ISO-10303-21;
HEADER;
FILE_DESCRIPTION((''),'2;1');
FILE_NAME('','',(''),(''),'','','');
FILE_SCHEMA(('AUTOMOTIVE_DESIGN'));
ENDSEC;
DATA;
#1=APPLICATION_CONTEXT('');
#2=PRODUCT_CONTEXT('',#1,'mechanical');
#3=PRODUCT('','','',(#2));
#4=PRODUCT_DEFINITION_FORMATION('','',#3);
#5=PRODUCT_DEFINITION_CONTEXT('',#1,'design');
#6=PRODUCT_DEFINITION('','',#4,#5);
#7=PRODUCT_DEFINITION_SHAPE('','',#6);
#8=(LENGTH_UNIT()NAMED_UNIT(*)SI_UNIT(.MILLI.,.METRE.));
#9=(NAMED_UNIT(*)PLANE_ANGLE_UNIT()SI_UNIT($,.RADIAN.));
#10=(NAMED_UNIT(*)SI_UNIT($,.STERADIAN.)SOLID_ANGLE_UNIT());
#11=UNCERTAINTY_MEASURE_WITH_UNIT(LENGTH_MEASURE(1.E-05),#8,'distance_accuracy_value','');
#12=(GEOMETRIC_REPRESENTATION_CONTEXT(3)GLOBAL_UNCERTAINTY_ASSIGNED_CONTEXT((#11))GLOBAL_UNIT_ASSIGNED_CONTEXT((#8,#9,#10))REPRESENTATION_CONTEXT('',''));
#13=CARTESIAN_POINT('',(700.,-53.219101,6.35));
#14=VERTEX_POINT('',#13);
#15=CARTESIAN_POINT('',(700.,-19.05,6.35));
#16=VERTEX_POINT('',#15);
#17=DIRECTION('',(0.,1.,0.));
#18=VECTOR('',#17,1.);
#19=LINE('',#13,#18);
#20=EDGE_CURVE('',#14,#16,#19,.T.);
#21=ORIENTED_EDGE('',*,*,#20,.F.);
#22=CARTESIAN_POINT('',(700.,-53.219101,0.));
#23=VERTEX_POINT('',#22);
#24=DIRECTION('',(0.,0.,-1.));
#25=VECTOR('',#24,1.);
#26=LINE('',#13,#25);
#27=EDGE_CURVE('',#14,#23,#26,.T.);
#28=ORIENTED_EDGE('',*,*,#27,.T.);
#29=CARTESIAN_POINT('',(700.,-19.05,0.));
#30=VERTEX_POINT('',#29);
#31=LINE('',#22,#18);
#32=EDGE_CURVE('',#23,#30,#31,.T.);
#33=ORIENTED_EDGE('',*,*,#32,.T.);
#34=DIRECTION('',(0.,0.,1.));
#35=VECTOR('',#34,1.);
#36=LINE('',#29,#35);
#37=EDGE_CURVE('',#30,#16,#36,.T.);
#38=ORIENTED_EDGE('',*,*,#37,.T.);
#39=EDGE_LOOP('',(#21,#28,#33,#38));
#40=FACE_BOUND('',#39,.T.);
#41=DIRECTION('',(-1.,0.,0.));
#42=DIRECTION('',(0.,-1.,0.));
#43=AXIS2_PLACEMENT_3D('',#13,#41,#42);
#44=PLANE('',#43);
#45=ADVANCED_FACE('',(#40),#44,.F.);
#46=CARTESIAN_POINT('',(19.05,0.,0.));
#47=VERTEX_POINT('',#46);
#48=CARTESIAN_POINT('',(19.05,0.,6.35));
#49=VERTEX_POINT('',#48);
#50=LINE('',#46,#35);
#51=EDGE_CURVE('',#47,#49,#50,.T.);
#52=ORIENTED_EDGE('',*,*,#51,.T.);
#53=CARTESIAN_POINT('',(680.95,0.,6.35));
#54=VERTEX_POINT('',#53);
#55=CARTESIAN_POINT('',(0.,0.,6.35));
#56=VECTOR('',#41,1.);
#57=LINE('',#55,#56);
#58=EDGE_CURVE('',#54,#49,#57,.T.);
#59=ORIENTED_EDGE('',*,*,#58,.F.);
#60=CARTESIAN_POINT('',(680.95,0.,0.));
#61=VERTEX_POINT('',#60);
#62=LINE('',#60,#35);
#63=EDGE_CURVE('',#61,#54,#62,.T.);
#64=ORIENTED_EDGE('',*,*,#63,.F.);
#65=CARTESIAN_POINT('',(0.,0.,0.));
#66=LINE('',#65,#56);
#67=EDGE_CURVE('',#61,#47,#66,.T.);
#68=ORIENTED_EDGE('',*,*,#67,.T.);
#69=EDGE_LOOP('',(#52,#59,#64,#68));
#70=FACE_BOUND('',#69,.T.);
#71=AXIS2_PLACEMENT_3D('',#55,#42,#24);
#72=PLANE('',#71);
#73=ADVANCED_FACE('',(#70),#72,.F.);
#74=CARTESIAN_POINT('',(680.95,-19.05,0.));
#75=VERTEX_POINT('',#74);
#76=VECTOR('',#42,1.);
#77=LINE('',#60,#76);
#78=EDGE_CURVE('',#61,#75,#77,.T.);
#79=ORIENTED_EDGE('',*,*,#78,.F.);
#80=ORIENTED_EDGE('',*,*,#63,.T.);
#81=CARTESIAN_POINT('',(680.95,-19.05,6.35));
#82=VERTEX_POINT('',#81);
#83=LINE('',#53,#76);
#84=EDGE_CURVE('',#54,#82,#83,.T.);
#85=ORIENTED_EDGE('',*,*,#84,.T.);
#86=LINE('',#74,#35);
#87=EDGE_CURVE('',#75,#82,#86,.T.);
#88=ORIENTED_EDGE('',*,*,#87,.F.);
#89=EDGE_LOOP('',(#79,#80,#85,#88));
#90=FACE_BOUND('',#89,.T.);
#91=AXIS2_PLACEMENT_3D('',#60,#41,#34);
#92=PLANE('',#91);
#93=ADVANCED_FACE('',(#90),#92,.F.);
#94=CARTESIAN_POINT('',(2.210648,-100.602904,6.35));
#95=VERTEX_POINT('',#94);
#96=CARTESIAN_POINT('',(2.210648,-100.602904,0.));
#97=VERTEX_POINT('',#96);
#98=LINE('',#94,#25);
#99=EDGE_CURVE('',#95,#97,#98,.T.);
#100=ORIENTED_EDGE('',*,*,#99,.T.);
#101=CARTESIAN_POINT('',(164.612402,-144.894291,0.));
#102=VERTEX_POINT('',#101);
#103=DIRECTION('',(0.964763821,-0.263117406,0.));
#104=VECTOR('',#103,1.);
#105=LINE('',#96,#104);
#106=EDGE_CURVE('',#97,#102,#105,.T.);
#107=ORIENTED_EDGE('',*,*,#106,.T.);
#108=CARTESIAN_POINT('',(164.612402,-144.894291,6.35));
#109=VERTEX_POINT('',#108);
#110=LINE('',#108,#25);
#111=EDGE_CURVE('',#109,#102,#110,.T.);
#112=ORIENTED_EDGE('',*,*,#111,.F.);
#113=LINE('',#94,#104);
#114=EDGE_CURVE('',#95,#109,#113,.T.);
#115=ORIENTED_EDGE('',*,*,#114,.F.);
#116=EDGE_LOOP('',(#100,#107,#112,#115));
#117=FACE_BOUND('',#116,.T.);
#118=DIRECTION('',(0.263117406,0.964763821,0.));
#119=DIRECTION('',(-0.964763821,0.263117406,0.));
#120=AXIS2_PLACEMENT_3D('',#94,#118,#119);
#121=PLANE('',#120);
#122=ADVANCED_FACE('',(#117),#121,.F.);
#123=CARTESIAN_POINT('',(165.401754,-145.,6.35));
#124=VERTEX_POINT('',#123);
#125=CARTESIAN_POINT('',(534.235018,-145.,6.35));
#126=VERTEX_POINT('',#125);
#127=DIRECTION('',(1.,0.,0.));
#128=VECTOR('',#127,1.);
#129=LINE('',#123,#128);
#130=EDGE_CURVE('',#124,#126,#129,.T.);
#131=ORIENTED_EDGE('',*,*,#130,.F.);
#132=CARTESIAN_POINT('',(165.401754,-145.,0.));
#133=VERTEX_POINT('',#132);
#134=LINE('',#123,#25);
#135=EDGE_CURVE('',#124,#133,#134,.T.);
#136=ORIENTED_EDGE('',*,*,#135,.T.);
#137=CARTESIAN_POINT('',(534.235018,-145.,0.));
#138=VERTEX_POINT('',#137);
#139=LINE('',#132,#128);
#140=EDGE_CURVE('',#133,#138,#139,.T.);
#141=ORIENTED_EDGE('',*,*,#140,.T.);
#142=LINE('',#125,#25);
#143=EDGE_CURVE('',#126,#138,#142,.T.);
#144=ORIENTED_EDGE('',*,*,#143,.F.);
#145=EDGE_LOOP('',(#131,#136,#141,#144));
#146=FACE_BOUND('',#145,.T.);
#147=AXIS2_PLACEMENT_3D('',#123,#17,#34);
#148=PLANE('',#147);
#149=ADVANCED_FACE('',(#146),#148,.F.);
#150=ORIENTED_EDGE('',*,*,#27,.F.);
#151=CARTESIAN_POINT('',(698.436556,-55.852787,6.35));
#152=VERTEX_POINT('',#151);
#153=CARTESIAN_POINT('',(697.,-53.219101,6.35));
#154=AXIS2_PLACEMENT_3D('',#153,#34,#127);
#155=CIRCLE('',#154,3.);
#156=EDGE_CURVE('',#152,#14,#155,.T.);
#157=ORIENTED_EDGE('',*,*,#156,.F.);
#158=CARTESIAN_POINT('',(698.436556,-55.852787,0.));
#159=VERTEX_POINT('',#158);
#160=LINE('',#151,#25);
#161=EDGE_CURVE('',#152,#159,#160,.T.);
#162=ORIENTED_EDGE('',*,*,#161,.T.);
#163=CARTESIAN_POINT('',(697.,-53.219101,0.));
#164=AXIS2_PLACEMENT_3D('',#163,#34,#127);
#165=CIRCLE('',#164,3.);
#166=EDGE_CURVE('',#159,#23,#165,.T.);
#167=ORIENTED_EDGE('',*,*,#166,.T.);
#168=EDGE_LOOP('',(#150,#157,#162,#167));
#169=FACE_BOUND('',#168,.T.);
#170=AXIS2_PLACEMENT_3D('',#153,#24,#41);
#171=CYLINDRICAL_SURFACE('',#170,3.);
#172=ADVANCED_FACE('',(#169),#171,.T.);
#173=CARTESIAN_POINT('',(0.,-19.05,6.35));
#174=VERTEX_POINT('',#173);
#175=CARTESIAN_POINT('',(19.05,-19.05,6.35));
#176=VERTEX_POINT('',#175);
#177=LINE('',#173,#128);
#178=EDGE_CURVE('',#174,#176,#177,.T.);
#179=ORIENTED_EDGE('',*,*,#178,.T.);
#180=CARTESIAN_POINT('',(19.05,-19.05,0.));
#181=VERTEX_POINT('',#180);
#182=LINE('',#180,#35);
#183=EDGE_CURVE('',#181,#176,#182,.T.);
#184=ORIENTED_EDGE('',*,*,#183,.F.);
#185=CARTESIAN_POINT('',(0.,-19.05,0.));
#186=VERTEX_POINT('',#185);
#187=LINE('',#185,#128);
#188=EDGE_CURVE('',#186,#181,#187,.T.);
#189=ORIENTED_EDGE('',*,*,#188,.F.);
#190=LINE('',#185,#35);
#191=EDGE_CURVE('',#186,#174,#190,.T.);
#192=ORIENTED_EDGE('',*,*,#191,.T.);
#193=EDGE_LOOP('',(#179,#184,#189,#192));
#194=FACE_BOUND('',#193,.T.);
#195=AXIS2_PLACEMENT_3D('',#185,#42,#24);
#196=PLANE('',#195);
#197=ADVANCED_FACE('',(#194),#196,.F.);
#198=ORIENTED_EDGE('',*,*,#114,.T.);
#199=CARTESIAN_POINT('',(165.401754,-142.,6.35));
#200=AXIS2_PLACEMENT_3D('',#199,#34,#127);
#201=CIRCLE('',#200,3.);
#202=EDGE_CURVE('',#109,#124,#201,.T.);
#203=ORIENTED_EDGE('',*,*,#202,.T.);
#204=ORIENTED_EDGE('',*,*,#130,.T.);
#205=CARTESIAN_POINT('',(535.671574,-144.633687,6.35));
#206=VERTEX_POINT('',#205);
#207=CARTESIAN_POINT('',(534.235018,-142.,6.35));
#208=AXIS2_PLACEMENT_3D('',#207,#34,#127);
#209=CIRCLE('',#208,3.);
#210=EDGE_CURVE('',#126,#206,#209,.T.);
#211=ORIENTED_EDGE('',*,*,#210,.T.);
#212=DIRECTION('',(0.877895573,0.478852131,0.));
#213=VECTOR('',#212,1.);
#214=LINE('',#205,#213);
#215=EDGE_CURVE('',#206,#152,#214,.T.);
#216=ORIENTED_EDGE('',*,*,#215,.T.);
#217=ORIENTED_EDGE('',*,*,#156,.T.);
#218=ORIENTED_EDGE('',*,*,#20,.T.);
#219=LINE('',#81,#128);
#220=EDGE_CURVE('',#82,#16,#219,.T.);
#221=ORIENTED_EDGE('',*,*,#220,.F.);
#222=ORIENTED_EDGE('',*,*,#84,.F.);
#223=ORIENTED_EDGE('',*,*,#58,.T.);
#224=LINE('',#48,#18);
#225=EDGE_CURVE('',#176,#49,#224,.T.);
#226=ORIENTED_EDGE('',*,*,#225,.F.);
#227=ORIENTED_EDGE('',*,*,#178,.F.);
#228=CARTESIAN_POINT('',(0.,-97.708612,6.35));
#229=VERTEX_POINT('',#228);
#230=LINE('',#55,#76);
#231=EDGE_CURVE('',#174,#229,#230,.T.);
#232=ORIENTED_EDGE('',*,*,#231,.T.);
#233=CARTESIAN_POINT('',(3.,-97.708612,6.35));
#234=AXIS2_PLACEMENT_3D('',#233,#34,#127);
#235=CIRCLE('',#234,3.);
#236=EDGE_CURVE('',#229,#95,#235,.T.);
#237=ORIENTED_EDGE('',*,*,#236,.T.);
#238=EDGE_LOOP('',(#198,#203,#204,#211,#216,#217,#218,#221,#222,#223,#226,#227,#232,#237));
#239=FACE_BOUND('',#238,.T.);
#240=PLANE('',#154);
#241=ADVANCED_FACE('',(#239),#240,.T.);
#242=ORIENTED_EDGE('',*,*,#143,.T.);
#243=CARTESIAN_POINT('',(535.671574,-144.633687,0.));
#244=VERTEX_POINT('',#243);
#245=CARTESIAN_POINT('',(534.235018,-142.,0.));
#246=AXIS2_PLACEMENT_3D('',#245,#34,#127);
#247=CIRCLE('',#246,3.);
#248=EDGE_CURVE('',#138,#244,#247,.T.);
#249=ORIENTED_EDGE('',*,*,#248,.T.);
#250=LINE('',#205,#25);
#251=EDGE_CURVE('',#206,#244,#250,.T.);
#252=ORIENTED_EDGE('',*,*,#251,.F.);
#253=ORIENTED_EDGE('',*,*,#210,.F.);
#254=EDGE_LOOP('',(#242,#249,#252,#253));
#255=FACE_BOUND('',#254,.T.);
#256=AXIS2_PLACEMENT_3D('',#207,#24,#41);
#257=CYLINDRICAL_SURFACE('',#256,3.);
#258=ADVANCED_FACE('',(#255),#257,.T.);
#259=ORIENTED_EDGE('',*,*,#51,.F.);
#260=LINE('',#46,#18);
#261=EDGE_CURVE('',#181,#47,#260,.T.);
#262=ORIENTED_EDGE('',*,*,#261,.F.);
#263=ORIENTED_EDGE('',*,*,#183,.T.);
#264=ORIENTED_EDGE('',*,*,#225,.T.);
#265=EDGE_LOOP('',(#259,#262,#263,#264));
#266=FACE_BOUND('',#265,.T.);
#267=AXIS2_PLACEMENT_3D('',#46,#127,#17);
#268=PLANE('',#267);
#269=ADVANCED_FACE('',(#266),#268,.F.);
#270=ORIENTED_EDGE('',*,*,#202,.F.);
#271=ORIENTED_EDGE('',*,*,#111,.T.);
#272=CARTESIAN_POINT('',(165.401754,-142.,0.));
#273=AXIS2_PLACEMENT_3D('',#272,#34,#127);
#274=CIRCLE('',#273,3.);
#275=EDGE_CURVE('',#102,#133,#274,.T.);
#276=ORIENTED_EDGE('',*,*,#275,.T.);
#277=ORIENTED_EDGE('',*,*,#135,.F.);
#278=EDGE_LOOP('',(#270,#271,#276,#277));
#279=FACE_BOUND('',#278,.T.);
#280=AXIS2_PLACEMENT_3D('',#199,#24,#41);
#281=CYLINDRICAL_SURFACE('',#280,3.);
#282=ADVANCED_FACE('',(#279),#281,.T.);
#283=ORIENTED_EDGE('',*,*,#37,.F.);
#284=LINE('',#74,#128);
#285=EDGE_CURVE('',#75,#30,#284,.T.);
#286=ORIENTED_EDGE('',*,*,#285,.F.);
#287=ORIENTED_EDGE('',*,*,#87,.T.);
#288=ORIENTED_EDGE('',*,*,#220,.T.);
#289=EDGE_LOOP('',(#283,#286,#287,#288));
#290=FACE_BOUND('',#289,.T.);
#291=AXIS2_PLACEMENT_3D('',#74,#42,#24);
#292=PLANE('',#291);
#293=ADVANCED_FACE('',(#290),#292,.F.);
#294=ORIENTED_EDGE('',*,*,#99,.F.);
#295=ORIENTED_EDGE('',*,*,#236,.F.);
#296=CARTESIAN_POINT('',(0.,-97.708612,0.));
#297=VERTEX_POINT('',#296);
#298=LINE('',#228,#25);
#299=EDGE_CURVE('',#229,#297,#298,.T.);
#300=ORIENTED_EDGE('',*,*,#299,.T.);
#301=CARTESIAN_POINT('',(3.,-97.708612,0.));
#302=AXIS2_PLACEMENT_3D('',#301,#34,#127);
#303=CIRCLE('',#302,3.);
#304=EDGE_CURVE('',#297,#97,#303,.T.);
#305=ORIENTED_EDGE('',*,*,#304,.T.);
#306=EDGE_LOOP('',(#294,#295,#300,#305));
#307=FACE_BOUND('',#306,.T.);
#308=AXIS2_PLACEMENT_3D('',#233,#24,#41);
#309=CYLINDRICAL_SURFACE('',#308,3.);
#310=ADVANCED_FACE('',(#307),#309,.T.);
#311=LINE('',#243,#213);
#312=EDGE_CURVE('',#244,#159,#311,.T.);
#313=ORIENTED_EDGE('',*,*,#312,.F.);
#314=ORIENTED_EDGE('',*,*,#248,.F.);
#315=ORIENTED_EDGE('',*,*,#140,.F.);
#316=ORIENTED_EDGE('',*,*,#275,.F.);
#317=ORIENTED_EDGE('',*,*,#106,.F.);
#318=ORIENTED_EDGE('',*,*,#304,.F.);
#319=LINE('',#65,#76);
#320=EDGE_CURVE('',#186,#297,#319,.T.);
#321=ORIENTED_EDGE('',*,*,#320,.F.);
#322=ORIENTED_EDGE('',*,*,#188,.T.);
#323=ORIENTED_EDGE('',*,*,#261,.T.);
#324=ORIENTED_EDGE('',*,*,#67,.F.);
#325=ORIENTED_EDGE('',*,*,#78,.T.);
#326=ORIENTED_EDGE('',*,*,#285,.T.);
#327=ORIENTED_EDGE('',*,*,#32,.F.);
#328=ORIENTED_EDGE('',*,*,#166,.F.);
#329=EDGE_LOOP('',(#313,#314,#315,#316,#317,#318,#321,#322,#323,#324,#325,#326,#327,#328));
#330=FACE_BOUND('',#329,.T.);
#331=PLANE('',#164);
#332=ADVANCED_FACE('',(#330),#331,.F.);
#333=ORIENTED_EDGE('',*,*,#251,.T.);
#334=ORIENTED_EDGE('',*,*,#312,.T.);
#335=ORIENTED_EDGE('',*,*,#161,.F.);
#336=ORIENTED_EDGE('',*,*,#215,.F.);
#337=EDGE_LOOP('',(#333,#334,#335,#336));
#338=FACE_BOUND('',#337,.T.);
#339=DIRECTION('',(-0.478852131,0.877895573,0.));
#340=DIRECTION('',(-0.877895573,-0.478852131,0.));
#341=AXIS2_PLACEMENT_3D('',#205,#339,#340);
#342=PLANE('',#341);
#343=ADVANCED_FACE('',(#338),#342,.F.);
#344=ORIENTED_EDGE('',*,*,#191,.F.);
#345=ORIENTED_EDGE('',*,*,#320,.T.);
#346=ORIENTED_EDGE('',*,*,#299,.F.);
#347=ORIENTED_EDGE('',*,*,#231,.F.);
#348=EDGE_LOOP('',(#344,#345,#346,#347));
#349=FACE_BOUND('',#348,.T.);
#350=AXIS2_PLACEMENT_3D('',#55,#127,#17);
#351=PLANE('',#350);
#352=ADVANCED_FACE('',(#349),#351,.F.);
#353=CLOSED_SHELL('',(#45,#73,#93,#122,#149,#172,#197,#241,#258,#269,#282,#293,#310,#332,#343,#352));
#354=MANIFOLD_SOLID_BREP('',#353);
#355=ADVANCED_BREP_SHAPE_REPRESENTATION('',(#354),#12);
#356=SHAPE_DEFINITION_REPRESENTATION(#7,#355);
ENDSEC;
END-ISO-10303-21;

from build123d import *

# Parameters (mm, degrees)
BOSS_EXTRUDE1_DEPTH = 6.35
SKETCH2_W           = 19.05
SKETCH2_H           = 19.05
CUT_EXTRUDE1_DEPTH  = 715.888328692


with BuildPart() as part:
    # Sketch1 → Boss-Extrude1 (new body)
    with BuildSketch(Plane.XY):
        with BuildLine():
            Line((700, -53.219100704), (700, 0))
            Line((700, 0), (0, 0))
            Line((0, 0), (0, -97.708612477))
            ThreePointArc((0, -97.708612477), (0.615879968, -99.529593442), (2.210647783, -100.602903941))
            Line((2.210647783, -100.602903941), (164.612402034, -144.894291464))
            ThreePointArc((164.612402034, -144.894291464), (165.003554798, -144.97345543), (165.401754251, -145))
            Line((165.401754251, -145), (534.235017957, -145))
            ThreePointArc((534.235017957, -145), (534.976280341, -144.906979546), (535.671574349, -144.633686719))
            Line((535.671574349, -144.633686719), (698.436556392, -55.852787423))
            ThreePointArc((698.436556392, -55.852787423), (699.579696608, -54.750493995), (700, -53.219100704))
        make_face()
    extrude(amount=BOSS_EXTRUDE1_DEPTH)

    # Sketch2 → Cut-Extrude1 (cut, through all)
    with BuildSketch(Plane.XY.offset(6.35)):
        with Locations((9.525, -9.525)):
            Rectangle(SKETCH2_W, SKETCH2_H)
        with Locations((690.475, -9.525)):
            Rectangle(SKETCH2_W, SKETCH2_H)
    extrude(amount=-CUT_EXTRUDE1_DEPTH, mode=Mode.SUBTRACT)


solid = part.part
